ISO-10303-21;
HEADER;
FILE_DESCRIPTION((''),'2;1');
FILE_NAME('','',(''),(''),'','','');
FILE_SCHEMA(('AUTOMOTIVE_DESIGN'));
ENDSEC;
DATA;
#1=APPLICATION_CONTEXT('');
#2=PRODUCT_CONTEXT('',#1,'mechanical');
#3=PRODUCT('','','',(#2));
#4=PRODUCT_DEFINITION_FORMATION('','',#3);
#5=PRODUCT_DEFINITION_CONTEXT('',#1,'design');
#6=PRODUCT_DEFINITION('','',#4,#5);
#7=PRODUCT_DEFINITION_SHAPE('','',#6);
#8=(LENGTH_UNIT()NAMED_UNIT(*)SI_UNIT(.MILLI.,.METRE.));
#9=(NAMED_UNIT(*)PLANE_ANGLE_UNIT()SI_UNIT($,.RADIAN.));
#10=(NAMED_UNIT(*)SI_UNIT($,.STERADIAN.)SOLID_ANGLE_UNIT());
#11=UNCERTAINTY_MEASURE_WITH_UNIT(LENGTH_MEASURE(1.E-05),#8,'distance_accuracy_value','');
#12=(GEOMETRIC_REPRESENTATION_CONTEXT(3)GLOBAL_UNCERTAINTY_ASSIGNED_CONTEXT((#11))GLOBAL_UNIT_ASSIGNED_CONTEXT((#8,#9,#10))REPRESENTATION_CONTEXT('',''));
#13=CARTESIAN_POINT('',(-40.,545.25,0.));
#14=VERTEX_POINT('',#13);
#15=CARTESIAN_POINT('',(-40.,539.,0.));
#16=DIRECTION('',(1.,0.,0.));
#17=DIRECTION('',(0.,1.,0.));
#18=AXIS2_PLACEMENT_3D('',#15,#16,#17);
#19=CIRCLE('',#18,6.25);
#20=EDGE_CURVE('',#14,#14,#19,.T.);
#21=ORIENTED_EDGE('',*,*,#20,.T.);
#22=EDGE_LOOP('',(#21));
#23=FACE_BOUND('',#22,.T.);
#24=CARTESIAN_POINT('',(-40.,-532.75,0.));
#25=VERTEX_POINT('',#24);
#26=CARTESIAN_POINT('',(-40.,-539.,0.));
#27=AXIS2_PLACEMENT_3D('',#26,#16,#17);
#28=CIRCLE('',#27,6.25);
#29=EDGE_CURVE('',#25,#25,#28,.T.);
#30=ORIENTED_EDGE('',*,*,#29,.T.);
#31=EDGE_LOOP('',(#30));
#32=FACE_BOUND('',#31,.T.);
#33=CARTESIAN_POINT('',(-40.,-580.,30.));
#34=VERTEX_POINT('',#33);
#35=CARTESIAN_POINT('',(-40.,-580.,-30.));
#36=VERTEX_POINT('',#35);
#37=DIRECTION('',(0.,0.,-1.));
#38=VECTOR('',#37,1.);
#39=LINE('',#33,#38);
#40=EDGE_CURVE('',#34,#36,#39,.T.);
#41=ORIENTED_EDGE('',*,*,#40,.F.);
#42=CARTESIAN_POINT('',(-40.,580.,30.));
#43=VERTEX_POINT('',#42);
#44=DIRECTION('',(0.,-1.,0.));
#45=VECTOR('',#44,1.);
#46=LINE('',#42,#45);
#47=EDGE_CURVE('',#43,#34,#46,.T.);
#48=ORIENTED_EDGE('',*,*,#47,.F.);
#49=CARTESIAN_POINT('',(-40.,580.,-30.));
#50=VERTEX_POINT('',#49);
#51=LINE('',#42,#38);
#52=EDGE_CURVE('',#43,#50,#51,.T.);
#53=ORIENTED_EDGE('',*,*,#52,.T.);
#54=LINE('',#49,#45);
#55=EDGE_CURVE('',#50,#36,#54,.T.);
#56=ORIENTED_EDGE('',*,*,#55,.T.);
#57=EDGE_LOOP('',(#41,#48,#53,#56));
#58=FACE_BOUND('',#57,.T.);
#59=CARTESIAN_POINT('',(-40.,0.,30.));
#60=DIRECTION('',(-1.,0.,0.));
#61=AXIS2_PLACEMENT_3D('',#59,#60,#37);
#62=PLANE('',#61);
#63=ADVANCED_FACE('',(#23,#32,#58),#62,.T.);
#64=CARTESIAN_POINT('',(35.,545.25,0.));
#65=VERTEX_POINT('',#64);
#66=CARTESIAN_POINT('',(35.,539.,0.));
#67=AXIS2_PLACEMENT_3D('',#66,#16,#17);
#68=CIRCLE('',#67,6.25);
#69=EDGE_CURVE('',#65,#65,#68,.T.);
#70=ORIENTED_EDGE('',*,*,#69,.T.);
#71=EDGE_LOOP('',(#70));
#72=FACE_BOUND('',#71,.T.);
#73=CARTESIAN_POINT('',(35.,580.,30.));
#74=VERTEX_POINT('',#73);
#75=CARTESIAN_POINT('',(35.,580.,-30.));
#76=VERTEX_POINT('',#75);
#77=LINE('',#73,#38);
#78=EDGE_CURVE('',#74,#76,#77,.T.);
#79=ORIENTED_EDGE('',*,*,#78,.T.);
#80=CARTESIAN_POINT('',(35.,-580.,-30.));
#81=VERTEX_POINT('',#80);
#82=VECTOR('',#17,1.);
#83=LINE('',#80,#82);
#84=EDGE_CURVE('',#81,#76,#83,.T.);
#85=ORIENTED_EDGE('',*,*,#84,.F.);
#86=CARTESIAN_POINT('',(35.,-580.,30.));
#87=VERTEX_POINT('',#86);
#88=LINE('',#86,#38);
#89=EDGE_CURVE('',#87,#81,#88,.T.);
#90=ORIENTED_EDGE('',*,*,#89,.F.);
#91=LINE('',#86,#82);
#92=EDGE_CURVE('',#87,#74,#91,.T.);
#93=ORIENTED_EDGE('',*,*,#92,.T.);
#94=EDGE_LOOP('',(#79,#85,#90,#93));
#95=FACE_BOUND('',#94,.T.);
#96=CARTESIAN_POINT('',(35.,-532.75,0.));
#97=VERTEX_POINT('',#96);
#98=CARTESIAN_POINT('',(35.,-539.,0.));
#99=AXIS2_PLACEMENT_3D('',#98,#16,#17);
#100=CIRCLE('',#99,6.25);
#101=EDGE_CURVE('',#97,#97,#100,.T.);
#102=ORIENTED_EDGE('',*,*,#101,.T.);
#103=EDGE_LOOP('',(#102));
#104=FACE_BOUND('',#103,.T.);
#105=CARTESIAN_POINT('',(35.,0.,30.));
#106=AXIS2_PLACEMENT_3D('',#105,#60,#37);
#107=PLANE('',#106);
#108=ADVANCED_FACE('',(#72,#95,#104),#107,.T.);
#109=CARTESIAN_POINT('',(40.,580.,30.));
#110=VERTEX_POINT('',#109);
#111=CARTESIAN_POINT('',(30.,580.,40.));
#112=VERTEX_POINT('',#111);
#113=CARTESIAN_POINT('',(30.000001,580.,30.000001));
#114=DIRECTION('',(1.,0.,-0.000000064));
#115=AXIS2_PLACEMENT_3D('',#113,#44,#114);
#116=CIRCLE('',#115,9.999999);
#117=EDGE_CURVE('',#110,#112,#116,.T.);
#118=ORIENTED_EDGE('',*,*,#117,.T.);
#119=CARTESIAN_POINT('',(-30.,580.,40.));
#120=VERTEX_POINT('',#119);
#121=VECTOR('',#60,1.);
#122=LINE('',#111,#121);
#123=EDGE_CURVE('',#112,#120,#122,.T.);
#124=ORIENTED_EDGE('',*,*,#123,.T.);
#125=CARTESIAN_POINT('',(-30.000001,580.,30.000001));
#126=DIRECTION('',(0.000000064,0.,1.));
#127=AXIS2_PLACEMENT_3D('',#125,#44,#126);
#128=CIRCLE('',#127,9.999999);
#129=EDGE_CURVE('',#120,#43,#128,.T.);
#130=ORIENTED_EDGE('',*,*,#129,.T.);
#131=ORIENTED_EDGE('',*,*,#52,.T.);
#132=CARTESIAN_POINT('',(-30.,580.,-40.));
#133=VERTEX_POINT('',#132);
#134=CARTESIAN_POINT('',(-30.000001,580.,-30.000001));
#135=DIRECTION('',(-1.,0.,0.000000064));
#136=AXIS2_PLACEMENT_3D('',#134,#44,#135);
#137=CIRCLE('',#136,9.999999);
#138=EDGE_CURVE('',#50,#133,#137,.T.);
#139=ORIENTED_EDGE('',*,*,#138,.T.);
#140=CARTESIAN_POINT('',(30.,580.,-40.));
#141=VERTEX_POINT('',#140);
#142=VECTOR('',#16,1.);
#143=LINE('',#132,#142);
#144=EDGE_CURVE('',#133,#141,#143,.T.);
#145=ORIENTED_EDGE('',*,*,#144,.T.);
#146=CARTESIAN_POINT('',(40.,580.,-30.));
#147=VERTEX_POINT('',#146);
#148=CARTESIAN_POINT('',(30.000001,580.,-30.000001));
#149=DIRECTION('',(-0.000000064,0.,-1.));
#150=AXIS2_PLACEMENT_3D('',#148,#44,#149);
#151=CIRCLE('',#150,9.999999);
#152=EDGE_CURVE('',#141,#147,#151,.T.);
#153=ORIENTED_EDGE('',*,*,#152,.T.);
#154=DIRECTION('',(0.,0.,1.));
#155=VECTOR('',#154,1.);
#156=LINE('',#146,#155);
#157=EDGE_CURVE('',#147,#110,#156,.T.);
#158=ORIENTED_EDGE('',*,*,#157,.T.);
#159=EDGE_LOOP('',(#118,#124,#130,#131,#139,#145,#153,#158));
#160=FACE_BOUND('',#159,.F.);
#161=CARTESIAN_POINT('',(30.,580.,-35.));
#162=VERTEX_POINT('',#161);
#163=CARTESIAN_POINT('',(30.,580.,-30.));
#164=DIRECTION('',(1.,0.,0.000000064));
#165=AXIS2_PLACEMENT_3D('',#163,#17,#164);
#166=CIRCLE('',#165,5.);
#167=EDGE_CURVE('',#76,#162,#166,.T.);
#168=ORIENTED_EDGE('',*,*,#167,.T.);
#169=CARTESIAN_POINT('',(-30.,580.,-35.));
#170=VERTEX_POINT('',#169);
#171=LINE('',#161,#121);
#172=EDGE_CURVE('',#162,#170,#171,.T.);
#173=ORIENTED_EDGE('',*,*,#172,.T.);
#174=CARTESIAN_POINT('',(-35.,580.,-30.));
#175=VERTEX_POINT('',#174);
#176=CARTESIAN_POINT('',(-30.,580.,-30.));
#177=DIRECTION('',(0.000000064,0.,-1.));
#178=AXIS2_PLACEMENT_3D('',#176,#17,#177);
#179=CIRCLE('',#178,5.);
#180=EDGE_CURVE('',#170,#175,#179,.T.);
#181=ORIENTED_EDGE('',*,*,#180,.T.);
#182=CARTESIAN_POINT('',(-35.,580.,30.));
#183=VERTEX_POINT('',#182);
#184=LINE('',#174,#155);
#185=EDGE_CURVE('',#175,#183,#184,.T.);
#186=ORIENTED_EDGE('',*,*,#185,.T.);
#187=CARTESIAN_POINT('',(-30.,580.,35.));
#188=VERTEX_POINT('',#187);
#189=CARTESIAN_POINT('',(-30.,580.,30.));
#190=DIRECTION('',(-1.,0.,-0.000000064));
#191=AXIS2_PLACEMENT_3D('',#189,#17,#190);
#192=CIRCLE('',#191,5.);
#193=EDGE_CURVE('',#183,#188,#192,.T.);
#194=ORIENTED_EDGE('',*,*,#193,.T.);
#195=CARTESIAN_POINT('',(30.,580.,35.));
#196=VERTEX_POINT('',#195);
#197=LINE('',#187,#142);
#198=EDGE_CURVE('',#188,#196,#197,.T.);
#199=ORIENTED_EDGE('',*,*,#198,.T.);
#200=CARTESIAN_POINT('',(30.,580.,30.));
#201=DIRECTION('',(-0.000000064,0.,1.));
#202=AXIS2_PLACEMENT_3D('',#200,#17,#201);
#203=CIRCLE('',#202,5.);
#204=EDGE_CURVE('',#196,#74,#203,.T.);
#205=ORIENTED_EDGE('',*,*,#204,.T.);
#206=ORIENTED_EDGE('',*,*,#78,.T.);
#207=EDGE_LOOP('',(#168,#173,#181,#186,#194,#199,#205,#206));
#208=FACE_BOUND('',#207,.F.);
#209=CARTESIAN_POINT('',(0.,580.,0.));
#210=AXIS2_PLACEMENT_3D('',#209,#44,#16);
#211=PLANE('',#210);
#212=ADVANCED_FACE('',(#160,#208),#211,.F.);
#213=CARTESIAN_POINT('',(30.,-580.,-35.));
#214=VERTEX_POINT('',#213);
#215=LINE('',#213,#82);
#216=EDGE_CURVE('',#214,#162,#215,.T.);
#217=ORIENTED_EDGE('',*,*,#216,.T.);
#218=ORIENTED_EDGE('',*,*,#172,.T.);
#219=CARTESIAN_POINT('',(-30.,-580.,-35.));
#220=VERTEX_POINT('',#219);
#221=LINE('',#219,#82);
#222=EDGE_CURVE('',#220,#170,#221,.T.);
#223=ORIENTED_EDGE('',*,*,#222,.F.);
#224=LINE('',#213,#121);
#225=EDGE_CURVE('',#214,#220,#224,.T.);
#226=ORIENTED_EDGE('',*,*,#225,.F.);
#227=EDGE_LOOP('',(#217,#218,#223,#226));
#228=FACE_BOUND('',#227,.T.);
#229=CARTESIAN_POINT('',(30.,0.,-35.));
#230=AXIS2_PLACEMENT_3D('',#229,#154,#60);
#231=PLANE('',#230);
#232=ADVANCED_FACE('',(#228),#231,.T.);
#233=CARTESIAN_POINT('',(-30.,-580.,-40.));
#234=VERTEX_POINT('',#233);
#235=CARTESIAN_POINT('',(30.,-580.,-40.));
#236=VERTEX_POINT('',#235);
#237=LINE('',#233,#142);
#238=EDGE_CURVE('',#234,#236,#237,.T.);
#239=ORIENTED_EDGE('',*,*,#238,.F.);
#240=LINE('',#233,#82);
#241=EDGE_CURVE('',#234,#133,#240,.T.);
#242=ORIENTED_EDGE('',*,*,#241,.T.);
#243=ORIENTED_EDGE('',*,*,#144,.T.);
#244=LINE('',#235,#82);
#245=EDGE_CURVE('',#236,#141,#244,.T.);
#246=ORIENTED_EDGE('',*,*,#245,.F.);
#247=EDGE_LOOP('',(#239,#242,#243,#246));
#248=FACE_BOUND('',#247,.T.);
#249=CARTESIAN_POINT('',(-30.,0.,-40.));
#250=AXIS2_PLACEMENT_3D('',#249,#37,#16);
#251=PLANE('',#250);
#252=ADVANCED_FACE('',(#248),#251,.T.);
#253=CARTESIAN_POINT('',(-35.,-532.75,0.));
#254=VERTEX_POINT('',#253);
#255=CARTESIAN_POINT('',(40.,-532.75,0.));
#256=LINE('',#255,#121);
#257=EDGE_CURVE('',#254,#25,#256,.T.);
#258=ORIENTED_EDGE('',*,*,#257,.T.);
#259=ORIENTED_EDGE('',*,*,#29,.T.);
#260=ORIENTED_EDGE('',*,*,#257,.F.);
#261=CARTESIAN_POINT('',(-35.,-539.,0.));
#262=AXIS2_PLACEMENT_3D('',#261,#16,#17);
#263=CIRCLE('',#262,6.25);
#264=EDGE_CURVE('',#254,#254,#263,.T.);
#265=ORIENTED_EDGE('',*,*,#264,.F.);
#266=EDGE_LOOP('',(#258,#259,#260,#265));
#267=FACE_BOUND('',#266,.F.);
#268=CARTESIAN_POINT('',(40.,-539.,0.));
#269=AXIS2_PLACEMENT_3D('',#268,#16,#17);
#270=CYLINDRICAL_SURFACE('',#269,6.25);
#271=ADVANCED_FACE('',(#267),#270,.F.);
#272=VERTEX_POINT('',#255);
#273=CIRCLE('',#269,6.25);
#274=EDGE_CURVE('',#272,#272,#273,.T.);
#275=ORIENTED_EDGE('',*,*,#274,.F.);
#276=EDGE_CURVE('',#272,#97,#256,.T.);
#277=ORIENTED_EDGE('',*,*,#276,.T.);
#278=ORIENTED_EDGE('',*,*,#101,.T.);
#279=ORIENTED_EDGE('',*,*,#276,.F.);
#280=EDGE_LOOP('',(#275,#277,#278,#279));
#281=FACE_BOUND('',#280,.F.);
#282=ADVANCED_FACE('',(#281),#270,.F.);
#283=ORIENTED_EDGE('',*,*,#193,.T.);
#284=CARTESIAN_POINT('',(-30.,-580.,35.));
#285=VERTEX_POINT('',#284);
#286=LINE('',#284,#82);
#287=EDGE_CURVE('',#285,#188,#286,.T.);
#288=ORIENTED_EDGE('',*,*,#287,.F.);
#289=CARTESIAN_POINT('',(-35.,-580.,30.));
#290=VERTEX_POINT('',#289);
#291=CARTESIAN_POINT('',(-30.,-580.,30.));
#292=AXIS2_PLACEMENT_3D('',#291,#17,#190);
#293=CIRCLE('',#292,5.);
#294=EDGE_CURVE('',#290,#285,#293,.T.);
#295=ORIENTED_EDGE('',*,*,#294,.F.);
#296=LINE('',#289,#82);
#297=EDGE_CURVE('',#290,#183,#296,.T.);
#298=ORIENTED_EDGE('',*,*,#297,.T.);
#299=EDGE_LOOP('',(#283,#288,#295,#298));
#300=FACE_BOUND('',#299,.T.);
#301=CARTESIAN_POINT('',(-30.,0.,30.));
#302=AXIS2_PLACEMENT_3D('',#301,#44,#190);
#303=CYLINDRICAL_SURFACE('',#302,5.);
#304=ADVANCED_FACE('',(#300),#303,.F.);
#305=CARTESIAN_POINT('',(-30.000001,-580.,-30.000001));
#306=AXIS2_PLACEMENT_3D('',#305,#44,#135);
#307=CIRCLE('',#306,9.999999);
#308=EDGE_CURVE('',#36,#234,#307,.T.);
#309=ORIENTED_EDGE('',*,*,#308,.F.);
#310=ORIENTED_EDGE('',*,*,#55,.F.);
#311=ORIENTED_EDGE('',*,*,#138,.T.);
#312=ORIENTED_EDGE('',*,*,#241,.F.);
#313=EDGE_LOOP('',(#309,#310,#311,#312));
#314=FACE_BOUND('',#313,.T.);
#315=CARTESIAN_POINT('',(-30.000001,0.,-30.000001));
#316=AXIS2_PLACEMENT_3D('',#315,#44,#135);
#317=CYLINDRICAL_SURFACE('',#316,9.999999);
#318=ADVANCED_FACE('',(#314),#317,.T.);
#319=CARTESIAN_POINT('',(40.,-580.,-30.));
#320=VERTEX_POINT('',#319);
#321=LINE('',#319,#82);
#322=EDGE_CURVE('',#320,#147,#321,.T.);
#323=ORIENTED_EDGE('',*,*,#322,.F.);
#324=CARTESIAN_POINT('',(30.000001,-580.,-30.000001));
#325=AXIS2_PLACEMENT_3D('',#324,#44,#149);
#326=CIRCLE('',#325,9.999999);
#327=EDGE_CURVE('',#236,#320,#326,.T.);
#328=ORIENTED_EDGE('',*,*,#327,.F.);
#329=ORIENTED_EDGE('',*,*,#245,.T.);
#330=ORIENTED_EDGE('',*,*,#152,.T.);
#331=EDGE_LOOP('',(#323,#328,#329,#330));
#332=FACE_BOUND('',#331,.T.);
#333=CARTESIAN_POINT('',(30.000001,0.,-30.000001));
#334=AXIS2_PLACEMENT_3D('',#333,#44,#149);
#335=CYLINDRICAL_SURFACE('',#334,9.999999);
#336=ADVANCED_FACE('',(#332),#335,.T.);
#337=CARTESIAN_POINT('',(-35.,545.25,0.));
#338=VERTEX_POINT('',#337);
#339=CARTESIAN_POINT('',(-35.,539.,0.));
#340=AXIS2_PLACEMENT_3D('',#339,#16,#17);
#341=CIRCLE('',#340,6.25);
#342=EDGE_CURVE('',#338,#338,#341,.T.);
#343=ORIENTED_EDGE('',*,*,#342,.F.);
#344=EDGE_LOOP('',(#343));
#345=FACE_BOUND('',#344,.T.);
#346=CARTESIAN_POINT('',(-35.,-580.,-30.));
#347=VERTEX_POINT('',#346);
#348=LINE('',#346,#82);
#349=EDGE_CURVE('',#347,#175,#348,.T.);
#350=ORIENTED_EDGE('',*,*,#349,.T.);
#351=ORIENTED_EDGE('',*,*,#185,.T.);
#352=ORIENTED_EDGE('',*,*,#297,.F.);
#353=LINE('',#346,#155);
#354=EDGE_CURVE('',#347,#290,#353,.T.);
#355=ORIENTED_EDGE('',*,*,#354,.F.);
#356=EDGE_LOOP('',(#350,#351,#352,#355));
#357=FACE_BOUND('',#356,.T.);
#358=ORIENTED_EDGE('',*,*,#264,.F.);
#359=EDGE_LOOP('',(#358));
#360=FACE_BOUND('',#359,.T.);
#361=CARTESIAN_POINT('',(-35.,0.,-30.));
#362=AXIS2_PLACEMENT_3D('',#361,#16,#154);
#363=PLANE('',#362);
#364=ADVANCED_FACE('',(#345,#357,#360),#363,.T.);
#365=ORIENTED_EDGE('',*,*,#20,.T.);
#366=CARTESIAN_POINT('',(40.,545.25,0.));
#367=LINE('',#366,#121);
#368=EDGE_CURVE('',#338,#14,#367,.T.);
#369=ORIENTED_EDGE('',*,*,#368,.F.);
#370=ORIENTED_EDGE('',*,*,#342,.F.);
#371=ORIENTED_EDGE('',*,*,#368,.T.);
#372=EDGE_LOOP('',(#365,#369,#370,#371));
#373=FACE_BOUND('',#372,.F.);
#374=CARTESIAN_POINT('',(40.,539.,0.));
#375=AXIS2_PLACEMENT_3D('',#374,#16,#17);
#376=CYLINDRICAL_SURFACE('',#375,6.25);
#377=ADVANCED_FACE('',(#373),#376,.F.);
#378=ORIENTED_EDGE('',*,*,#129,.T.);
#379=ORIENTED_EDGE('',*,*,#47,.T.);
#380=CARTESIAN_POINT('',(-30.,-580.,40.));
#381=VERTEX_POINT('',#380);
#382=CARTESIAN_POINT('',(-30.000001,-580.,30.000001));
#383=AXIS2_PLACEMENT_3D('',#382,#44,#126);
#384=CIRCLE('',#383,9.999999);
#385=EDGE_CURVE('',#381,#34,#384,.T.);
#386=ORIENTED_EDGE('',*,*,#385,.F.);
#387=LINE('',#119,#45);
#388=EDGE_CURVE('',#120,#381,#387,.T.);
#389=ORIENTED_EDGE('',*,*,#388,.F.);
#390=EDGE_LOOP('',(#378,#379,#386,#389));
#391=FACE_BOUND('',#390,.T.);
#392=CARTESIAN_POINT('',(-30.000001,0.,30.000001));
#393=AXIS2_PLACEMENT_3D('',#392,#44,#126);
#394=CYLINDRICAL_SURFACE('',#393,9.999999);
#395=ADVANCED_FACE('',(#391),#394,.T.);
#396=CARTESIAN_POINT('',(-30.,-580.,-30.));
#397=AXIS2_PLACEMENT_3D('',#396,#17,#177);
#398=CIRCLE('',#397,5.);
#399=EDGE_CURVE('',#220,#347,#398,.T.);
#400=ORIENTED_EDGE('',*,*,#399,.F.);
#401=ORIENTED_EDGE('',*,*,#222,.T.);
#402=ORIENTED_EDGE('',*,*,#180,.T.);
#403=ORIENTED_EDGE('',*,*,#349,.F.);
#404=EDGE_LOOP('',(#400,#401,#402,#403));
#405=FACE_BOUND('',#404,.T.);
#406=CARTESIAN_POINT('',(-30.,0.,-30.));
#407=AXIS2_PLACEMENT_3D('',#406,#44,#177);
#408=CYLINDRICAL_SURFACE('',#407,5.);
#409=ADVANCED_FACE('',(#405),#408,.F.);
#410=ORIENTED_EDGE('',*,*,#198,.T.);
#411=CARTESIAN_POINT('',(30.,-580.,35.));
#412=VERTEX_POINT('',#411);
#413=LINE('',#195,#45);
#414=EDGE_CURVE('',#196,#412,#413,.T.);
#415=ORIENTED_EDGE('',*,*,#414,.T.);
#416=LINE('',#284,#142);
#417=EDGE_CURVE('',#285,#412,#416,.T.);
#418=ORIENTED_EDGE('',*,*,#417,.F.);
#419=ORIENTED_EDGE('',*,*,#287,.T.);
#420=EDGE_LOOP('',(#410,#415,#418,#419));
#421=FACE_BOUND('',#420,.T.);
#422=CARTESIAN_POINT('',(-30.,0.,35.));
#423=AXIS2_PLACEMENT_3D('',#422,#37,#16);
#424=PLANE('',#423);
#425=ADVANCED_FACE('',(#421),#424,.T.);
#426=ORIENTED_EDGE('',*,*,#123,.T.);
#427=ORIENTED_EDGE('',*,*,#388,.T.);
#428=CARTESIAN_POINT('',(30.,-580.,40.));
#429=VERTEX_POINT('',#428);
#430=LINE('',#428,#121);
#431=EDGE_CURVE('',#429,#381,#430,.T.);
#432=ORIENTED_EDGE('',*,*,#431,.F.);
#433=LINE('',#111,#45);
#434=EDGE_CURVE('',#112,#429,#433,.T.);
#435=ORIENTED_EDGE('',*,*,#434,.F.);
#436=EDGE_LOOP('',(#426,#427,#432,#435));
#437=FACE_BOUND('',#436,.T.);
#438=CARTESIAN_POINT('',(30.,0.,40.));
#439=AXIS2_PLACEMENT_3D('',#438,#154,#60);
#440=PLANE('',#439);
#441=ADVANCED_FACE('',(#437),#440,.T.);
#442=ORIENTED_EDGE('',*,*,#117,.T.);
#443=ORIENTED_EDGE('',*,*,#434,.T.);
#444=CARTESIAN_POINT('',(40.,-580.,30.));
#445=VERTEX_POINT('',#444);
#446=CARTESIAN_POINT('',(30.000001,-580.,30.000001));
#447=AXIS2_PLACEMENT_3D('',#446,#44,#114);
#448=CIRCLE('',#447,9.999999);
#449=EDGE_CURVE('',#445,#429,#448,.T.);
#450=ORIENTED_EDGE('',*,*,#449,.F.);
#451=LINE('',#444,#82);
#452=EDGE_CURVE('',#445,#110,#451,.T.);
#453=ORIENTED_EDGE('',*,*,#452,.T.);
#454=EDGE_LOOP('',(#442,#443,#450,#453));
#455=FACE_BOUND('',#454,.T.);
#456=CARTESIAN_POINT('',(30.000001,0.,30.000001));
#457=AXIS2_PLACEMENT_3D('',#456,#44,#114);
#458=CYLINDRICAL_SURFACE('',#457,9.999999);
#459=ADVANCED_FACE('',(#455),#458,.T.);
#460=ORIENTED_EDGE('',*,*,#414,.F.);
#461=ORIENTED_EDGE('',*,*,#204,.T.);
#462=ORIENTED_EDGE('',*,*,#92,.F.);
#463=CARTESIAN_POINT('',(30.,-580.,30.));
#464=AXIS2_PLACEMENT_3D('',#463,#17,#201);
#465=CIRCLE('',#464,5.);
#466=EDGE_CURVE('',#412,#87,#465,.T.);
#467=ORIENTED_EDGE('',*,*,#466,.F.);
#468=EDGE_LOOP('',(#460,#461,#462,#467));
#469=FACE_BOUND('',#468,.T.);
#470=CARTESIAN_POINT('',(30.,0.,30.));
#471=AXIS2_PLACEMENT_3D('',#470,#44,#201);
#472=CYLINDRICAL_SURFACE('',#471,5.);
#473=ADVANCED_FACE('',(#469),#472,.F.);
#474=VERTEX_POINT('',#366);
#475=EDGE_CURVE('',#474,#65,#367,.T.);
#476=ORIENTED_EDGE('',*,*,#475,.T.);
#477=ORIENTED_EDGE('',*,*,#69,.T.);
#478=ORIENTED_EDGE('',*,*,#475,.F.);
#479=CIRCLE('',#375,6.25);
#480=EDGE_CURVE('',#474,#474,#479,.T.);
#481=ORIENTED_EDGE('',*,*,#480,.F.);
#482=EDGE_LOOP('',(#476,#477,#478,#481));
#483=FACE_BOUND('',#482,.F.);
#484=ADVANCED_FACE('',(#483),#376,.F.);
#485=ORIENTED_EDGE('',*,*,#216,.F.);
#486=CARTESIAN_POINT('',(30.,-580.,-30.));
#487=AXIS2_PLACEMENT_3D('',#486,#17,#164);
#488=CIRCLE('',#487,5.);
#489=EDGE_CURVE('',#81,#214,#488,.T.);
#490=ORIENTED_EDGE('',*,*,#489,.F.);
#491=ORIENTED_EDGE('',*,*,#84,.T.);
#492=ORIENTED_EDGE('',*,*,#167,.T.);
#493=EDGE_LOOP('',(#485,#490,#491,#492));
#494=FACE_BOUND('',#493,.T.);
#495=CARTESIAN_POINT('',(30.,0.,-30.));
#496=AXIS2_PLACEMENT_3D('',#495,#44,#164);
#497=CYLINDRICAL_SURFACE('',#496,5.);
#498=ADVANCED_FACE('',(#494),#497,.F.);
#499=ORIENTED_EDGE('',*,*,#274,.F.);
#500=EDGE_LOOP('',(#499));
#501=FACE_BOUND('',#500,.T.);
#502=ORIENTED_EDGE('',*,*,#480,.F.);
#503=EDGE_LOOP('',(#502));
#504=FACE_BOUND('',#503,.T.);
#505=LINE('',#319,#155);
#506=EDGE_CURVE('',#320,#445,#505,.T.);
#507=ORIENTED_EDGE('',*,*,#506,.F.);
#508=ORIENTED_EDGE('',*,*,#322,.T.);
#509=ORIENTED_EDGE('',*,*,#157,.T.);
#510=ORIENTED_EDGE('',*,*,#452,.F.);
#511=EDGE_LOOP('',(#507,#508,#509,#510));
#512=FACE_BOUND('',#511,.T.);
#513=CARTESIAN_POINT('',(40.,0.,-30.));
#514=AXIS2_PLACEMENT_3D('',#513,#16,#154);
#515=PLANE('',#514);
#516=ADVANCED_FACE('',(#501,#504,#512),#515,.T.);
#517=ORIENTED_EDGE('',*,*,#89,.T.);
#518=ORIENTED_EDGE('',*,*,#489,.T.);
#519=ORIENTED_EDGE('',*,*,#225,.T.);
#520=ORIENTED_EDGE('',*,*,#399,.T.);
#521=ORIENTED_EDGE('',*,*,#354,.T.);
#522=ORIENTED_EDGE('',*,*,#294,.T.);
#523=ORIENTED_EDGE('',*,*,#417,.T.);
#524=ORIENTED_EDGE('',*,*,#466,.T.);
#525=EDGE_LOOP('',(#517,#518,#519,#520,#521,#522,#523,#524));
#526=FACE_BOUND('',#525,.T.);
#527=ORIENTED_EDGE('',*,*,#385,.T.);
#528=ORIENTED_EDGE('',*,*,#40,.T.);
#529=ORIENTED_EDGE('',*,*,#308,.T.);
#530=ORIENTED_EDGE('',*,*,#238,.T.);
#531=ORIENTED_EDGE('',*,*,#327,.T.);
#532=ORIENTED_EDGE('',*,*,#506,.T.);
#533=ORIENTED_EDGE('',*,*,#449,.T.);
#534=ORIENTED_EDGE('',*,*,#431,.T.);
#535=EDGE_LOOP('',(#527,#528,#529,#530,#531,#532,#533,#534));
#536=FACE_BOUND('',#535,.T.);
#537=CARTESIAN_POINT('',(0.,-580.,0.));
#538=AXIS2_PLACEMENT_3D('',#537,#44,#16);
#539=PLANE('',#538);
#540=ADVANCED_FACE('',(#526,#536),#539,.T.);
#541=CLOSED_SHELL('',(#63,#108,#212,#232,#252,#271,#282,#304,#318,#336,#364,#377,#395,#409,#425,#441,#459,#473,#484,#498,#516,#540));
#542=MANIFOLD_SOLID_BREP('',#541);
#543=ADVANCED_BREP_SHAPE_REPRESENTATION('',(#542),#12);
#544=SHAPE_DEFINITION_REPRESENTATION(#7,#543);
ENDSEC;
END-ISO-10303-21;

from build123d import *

# Parameters (mm, degrees)
F1_DEPTH = 580
F2_R     = 6.25
F3_DEPTH = 80.001


with BuildPart() as f1:
    # F0 (on Front) → F1 (new body, symmetric)
    with BuildSketch(Plane.XZ):
        with BuildLine():
            ThreePointArc((40, 30), (37.071068, 37.071068), (30, 40))
            Line((30, 40), (-30, 40))
            ThreePointArc((-30, 40), (-37.071068, 37.071068), (-40, 30))
            Line((-40, 30), (-40, -30))
            ThreePointArc((-40, -30), (-37.071068, -37.071068), (-30, -40))
            Line((-30, -40), (30, -40))
            ThreePointArc((30, -40), (37.071068, -37.071068), (40, -30))
            Line((40, -30), (40, 30))
        make_face()
        with BuildLine():
            ThreePointArc((30, 35), (33.535534, 33.535534), (35, 30))
            Line((35, 30), (35, -30))
            ThreePointArc((35, -30), (33.535534, -33.535534), (30, -35))
            Line((30, -35), (-30, -35))
            ThreePointArc((-30, -35), (-33.535534, -33.535534), (-35, -30))
            Line((-35, -30), (-35, 30))
            ThreePointArc((-35, 30), (-33.535534, 33.535534), (-30, 35))
            Line((-30, 35), (30, 35))
        make_face(mode=Mode.SUBTRACT)
    extrude(amount=F1_DEPTH, both=True)

    # F2 (on face) → F3 (cut, through all)
    with BuildSketch(Plane.YZ.offset(40)):
        with Locations((-539, 0)):
            Circle(F2_R)
        with Locations((539, 0)):
            Circle(F2_R)
    extrude(amount=-F3_DEPTH, mode=Mode.SUBTRACT)


solid = f1.part
